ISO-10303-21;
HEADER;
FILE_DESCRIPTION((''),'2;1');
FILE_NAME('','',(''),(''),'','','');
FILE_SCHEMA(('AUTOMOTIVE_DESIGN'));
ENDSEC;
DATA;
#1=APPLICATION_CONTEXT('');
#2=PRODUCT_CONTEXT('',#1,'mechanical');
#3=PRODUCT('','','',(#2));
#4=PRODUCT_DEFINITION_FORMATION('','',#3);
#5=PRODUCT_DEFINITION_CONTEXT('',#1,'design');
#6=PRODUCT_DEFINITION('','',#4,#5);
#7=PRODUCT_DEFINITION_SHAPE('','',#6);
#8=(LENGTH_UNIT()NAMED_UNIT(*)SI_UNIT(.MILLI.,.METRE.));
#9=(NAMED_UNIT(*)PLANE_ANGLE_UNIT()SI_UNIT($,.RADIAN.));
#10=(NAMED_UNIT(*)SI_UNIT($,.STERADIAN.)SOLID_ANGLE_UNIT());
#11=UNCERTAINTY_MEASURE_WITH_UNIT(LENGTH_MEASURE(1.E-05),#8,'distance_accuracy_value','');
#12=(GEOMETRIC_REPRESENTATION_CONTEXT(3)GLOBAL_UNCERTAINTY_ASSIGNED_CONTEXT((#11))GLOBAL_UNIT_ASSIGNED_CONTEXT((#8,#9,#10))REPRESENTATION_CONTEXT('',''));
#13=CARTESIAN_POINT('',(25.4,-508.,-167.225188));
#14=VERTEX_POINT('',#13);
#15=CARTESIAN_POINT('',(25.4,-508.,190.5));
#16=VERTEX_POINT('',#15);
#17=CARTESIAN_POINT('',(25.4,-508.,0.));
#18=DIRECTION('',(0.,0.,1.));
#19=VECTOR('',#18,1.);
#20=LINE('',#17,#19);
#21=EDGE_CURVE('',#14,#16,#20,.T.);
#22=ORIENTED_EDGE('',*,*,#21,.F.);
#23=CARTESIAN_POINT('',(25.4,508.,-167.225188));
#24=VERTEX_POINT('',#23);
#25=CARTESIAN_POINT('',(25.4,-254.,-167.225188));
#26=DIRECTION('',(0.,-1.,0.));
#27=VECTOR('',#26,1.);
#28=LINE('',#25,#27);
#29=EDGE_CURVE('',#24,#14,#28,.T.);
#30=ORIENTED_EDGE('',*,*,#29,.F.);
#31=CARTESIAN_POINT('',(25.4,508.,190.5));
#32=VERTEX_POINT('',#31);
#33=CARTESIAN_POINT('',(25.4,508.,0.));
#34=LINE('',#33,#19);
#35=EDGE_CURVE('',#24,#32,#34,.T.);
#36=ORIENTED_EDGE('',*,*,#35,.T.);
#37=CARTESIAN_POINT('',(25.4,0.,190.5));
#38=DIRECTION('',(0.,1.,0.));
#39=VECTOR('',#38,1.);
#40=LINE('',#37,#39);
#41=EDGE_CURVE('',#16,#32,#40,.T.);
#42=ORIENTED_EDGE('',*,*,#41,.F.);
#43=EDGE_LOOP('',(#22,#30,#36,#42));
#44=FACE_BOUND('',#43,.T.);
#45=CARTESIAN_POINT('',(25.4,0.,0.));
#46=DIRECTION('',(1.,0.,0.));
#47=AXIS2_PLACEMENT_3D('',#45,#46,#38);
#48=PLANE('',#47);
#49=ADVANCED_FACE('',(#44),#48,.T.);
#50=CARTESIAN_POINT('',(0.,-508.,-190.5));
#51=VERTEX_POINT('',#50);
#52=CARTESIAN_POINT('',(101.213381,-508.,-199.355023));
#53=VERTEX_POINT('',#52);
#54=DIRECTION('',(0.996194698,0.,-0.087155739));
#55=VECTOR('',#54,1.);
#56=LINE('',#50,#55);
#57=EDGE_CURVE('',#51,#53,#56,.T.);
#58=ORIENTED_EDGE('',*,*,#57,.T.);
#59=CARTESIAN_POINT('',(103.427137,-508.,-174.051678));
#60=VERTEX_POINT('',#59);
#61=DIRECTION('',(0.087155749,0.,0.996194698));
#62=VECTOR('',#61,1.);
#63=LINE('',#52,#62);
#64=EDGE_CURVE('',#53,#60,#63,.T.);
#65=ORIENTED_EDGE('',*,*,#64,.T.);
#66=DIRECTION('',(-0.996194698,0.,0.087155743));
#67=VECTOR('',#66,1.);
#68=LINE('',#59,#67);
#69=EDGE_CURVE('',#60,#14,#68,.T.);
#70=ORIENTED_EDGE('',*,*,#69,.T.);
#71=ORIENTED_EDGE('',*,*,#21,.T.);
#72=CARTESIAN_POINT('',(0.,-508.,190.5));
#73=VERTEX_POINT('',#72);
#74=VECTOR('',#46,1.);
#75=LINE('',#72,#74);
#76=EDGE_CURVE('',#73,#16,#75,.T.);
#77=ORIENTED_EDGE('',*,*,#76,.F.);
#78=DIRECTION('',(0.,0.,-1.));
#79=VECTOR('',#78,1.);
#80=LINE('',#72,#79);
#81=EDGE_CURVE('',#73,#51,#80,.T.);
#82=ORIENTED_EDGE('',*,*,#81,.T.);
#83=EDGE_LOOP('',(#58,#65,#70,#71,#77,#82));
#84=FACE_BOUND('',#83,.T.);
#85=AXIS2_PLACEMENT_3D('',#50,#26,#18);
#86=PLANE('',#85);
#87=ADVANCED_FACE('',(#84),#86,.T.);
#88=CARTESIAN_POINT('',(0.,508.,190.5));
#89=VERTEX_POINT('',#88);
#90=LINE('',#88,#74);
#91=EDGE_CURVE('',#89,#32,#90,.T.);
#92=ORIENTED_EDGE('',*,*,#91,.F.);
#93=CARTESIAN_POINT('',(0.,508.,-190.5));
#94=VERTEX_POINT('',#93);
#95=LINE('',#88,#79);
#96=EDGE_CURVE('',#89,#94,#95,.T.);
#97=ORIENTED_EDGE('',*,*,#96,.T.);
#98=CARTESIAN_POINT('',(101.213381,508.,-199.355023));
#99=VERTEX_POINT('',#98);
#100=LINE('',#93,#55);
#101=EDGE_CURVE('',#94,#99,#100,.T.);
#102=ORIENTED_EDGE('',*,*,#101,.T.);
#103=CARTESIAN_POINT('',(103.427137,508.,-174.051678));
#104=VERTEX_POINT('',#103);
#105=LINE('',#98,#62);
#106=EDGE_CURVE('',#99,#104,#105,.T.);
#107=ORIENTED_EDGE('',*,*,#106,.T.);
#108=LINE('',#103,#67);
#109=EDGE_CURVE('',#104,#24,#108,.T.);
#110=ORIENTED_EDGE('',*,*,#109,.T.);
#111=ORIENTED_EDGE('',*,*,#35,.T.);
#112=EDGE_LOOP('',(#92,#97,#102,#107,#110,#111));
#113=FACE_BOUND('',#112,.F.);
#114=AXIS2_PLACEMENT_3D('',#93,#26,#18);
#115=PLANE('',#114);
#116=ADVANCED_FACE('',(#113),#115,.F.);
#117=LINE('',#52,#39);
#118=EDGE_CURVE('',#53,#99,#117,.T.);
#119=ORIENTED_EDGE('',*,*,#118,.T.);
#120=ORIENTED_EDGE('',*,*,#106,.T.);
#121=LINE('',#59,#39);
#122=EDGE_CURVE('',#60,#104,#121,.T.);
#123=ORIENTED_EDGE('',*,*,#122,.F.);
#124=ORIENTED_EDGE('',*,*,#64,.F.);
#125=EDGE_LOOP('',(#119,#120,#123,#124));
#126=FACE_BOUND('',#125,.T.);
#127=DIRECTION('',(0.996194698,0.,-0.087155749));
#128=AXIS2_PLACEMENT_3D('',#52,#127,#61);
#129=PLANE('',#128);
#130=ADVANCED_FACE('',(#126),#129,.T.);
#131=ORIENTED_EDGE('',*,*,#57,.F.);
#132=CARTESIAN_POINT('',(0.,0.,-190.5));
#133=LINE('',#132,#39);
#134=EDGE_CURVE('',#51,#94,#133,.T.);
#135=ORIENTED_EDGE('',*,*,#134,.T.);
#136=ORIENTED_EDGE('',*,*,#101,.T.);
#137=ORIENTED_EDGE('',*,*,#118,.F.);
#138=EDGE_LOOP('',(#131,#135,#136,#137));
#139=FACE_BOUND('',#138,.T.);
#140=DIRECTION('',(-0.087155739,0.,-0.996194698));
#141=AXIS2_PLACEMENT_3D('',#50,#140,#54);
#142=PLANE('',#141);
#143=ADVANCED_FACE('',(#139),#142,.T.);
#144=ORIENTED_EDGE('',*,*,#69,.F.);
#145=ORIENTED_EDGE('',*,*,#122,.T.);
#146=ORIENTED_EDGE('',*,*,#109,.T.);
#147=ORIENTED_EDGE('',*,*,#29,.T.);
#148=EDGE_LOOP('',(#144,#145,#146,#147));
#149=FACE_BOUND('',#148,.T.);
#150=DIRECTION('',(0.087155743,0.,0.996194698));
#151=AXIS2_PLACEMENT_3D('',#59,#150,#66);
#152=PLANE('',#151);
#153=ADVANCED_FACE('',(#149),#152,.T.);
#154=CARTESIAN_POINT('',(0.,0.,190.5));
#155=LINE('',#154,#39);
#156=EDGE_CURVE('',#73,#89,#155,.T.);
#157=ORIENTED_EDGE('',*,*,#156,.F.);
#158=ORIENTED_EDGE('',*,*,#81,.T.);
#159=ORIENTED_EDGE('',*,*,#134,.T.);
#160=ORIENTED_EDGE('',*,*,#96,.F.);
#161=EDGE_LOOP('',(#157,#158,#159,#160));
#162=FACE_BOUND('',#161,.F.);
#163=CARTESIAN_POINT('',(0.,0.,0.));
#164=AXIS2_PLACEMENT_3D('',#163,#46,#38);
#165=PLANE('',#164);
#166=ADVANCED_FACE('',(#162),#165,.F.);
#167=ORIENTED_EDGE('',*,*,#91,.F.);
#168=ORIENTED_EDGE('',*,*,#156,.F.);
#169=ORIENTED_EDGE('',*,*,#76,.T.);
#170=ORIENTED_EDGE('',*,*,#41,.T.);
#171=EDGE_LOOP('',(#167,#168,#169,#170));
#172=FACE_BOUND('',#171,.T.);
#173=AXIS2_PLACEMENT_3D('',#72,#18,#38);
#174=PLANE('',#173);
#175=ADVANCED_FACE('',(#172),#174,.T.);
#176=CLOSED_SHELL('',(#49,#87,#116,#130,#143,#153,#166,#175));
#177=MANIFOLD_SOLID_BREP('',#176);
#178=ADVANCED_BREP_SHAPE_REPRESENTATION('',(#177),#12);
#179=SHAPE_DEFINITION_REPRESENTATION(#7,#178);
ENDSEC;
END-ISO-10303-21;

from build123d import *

# Parameters (mm, degrees)
F0_W     = 1016
F0_H     = 381
F1_DEPTH = 25.4
F3_DEPTH = 1016


with BuildPart() as f1:
    # F0 (on Right) → F1 (new body)
    with BuildSketch(Plane.YZ):
        Rectangle(F0_W, F0_H)
    extrude(amount=F1_DEPTH)

    # F2 (on face) → F3 (join, through all)
    with BuildSketch(Plane.XZ.offset(508)):
        Polygon((0, -165.002976), (0, -190.5), (101.213381, -199.355023), (103.427137, -174.051678), align=None)
    extrude(amount=-F3_DEPTH)


solid = f1.part
